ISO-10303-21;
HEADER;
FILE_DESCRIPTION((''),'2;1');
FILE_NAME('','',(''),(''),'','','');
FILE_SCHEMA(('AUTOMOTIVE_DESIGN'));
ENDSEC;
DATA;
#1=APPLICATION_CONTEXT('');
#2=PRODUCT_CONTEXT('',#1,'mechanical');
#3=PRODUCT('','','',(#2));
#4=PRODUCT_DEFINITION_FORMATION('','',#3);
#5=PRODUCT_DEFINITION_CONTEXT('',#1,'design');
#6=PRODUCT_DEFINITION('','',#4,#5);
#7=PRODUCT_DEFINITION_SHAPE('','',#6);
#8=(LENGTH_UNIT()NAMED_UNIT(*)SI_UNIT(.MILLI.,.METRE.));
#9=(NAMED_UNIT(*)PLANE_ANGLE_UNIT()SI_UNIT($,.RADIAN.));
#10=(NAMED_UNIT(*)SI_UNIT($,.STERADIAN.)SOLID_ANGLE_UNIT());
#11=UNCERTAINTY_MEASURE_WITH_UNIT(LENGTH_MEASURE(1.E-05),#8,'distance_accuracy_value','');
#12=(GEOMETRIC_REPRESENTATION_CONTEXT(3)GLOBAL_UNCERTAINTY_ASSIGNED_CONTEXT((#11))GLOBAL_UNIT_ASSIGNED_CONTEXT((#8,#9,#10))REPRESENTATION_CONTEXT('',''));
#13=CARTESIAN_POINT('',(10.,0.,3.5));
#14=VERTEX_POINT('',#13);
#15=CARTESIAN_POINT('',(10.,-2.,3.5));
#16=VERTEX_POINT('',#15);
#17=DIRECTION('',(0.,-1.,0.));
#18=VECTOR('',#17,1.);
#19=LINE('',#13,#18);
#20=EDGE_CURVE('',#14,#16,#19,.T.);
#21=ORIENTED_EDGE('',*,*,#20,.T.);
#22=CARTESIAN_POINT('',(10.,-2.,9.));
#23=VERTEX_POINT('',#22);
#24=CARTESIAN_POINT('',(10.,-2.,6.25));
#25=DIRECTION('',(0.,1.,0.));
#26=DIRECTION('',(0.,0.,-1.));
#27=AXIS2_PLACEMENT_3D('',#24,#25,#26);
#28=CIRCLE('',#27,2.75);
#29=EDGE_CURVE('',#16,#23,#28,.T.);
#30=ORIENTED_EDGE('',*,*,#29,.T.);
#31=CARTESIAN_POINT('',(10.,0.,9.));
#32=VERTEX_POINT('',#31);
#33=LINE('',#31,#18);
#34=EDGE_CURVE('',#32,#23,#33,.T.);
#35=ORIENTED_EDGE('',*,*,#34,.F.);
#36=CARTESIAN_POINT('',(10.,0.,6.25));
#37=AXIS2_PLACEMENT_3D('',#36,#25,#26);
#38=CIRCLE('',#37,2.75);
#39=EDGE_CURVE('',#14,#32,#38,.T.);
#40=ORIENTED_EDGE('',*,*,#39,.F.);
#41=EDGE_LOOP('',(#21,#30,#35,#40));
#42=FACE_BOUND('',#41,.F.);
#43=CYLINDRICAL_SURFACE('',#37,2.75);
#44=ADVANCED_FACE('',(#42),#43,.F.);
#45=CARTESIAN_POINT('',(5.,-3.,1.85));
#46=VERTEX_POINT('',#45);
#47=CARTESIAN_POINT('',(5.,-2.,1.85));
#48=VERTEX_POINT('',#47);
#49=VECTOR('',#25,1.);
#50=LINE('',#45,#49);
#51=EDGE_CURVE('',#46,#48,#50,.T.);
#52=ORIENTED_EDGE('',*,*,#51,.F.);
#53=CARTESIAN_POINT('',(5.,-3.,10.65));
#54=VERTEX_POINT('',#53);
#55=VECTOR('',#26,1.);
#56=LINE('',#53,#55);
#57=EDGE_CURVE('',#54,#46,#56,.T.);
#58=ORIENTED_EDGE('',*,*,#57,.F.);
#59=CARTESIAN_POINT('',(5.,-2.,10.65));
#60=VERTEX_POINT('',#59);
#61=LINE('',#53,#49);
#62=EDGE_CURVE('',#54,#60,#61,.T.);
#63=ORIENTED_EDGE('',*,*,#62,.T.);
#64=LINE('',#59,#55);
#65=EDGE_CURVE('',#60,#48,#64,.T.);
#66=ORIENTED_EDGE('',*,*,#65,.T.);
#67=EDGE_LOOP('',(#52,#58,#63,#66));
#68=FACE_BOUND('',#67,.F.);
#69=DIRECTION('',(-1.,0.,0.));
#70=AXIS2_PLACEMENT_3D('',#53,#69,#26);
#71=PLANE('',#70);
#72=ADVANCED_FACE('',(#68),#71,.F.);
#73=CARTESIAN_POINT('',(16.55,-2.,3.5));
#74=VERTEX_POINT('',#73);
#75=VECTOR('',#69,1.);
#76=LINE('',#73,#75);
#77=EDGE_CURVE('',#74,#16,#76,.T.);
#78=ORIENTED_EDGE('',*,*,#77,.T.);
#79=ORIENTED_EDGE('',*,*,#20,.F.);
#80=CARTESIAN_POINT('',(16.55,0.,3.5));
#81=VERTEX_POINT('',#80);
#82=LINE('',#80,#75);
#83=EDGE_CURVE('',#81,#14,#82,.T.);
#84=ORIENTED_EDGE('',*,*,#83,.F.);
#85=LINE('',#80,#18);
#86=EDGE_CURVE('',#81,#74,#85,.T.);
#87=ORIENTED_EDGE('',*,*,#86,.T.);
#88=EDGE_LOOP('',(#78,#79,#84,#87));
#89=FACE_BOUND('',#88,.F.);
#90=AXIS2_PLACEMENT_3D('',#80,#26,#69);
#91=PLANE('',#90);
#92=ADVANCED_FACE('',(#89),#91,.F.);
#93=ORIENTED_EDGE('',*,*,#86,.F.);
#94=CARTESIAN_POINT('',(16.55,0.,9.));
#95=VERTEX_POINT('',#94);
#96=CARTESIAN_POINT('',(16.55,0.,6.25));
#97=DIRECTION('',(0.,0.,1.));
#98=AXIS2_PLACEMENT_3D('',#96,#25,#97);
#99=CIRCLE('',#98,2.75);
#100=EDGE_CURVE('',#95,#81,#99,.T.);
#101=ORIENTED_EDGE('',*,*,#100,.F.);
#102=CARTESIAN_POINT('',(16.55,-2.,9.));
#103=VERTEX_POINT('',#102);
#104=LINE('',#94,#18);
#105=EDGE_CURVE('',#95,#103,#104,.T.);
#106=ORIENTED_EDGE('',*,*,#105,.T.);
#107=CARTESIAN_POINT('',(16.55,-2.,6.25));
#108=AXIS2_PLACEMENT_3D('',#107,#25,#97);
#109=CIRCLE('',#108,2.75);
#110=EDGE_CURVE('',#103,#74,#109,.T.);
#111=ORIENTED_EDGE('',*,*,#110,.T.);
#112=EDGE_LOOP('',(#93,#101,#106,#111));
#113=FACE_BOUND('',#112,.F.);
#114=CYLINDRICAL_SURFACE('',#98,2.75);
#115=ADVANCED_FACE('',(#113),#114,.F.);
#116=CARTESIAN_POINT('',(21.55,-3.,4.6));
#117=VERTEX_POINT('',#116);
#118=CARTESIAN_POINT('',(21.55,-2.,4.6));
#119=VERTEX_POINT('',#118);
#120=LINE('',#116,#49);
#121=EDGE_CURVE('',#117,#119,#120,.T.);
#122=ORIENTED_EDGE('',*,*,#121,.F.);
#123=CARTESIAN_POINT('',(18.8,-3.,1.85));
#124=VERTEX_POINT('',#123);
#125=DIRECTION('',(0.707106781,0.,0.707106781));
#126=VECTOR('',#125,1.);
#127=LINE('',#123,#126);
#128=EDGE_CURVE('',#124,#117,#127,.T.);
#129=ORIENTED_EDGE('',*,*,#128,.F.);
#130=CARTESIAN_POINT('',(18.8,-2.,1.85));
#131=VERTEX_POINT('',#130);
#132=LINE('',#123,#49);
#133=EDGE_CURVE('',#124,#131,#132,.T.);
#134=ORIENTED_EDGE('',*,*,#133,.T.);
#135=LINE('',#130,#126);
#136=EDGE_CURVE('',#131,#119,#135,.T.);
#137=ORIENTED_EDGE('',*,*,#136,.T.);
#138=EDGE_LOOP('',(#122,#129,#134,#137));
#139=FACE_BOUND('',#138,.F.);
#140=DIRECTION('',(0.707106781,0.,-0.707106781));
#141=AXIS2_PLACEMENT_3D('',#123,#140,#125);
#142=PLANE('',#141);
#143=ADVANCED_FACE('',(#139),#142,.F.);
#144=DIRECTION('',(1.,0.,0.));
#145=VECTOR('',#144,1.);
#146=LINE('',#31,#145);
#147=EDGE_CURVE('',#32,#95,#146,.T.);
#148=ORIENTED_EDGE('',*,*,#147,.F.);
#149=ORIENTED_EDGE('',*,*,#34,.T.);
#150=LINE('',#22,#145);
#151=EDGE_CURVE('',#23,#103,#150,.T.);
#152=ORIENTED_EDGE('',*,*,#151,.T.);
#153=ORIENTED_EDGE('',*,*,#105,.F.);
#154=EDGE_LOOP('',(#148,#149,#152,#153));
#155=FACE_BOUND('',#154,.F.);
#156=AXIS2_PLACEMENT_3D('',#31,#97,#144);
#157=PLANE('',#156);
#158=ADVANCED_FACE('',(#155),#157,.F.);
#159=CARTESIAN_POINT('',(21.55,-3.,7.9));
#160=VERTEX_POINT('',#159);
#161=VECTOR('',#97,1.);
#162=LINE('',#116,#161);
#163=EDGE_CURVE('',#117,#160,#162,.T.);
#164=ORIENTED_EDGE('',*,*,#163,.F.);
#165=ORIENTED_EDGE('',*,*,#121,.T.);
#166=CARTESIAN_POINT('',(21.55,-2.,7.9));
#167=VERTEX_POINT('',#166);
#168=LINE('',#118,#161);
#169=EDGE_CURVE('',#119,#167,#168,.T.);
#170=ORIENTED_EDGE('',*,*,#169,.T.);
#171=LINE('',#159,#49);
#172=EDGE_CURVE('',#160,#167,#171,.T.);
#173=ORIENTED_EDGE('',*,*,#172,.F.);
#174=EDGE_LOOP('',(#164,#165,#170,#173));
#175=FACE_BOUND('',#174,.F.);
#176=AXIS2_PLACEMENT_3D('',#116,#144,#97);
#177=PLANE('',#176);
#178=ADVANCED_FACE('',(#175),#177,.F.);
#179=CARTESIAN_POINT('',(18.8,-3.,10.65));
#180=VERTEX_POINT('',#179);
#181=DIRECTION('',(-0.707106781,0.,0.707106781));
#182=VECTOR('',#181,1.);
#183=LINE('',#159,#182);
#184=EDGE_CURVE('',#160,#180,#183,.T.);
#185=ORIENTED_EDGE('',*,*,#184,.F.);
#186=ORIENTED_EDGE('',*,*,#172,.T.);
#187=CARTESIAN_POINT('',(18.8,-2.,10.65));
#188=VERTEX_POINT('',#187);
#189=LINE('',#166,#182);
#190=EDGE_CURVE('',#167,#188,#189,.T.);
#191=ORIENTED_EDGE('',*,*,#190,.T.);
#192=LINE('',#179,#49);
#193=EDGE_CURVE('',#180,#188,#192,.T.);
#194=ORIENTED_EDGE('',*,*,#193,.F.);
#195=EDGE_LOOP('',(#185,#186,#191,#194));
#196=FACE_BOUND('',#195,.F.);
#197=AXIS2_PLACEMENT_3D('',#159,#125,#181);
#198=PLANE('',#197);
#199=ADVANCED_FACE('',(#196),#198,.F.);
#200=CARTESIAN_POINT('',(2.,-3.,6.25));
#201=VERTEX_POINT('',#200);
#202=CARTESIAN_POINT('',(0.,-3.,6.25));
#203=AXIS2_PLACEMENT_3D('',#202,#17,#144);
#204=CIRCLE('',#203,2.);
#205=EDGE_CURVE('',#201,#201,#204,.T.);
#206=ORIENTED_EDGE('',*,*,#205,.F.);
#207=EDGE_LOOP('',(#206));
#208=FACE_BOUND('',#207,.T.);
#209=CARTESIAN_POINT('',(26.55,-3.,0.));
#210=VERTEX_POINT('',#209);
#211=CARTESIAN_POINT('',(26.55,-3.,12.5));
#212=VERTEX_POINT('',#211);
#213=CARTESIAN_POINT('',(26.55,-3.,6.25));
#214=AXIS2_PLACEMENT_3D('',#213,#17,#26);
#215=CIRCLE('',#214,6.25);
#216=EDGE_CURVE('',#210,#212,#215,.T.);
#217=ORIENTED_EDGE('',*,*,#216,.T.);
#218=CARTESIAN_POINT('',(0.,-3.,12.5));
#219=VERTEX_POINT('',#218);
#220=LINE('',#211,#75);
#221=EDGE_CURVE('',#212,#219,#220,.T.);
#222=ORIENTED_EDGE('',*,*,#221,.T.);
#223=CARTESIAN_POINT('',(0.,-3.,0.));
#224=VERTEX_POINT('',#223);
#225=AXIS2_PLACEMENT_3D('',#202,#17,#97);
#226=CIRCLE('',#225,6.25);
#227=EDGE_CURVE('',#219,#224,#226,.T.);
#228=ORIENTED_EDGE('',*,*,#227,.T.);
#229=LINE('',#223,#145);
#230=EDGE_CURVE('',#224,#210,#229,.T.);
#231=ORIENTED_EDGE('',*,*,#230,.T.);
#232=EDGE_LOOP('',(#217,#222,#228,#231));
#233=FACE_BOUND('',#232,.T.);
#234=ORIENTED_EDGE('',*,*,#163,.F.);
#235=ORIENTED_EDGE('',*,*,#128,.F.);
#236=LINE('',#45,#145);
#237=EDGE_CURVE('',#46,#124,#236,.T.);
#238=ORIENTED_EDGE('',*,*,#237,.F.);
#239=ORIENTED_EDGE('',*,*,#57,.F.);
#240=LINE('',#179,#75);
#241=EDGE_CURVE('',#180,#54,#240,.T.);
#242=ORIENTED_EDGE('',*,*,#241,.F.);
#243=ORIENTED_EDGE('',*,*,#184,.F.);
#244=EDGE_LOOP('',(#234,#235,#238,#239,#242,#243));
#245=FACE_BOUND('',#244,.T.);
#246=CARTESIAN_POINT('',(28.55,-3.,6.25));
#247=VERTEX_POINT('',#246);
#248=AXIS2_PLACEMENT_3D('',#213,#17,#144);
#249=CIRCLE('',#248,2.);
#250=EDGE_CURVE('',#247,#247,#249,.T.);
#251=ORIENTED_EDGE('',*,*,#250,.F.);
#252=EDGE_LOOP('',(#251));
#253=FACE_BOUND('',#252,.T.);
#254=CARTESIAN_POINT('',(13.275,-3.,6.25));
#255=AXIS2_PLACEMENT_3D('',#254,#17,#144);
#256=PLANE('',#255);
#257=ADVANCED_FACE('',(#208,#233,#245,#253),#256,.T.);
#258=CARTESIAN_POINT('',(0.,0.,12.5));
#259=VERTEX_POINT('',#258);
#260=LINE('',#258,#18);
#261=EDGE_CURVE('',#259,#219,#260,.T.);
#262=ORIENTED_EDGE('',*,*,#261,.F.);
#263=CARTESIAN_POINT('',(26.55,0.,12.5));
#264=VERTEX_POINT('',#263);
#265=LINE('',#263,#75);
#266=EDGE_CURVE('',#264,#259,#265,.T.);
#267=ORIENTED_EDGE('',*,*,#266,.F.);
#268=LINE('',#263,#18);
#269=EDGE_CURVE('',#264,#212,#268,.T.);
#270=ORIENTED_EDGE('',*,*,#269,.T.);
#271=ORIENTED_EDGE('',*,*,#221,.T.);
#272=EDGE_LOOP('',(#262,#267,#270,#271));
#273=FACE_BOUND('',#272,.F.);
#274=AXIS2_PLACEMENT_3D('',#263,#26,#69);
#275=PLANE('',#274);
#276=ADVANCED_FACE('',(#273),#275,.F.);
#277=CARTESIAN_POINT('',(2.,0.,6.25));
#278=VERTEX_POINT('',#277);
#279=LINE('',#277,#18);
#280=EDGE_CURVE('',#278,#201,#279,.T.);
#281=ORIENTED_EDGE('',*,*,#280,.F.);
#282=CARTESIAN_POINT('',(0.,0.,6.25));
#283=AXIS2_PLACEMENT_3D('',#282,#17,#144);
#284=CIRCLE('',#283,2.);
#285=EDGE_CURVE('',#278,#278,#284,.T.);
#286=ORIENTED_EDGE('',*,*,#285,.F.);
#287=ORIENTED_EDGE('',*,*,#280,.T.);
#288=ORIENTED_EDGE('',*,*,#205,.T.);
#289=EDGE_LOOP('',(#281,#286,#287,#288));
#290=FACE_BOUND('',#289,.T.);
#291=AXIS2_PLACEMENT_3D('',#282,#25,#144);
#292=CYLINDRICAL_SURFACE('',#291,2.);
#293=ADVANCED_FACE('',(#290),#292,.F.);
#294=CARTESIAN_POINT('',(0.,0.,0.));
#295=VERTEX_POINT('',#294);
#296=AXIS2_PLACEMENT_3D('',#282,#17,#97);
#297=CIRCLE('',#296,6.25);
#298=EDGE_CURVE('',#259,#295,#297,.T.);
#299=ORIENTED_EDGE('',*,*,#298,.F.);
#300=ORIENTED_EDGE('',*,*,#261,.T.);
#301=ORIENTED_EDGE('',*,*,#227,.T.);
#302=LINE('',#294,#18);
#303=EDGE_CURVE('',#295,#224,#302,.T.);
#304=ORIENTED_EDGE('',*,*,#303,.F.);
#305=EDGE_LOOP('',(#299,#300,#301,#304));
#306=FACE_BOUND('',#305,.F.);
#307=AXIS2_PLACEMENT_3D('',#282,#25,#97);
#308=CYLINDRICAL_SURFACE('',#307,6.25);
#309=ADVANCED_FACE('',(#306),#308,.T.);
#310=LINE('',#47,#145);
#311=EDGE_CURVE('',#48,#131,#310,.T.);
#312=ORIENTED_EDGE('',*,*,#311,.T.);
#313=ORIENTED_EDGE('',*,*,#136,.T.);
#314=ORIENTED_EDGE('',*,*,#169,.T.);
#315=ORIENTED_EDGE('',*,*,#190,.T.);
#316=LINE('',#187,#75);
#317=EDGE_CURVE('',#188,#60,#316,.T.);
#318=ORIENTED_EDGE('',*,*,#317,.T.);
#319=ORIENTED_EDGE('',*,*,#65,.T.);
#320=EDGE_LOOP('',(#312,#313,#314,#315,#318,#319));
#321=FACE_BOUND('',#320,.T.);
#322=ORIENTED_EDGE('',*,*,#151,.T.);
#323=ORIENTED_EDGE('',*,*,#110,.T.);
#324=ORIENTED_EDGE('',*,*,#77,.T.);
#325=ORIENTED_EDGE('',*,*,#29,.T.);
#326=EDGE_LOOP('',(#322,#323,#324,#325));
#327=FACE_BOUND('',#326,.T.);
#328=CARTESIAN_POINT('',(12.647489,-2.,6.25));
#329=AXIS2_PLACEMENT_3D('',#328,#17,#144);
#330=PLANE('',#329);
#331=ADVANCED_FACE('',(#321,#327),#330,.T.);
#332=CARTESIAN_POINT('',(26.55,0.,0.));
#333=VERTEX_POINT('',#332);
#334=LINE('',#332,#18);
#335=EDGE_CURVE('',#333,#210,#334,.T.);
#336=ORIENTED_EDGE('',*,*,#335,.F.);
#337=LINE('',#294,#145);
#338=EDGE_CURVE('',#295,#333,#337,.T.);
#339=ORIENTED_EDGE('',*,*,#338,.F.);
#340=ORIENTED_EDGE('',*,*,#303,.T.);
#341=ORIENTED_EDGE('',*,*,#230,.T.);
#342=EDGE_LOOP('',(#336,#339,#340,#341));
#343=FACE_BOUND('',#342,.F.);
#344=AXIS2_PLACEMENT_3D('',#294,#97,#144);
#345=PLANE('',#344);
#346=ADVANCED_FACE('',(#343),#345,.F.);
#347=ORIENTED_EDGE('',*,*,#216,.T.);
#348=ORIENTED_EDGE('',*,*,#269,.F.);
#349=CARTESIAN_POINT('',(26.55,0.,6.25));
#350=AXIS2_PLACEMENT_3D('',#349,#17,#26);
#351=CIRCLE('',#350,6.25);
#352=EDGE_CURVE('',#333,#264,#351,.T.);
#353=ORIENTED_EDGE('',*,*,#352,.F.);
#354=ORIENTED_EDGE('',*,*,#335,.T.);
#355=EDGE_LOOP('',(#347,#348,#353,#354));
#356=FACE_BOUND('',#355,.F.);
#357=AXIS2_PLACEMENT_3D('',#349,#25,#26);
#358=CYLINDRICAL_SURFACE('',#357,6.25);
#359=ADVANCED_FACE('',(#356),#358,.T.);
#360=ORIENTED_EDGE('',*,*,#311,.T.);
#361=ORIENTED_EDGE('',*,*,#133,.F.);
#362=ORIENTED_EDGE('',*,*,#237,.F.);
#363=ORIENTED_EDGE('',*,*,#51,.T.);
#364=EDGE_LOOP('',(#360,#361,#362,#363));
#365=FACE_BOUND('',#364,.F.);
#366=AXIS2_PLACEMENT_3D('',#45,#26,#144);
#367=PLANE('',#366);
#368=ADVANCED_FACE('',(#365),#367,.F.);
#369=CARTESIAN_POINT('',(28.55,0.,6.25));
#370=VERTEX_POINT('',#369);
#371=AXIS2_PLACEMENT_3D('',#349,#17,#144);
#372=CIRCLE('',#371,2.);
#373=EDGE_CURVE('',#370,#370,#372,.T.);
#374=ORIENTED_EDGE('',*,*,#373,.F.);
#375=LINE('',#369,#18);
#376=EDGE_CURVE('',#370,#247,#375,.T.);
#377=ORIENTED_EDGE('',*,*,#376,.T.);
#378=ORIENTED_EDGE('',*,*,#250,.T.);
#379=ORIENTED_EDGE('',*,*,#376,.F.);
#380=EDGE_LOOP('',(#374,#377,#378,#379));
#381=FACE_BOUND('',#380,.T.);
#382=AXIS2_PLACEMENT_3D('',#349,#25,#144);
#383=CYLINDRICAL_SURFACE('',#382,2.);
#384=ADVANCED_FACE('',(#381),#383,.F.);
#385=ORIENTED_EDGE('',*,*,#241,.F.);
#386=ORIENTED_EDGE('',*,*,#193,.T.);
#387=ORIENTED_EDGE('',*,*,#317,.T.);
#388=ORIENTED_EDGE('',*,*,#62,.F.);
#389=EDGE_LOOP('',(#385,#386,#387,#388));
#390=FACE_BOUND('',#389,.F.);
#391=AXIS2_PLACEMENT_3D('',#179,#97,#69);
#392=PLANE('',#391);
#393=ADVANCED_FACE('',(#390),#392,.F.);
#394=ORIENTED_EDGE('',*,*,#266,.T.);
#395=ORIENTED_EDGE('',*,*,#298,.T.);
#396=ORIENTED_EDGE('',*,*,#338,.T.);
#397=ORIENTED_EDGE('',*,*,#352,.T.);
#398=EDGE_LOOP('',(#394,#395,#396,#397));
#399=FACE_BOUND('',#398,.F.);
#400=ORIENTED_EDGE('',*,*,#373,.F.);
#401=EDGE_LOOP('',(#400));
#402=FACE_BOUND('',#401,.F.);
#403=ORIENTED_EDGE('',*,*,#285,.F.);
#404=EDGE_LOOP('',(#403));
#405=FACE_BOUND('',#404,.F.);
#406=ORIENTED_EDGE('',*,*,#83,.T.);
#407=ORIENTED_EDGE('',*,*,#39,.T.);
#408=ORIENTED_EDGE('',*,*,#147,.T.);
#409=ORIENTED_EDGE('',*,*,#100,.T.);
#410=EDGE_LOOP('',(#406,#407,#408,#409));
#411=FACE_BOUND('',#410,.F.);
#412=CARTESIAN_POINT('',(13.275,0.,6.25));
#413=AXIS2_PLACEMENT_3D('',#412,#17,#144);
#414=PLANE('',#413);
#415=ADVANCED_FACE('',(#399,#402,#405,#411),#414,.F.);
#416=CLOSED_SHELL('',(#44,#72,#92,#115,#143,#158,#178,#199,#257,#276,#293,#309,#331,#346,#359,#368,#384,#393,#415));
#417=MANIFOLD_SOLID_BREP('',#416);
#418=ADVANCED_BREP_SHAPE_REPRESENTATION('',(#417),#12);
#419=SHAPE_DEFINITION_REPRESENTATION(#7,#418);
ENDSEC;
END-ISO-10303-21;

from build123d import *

# Parameters (mm, degrees)
F0_R     = 2
F1_DEPTH = 3
F3_DEPTH = 1


with BuildPart() as f1:
    # F0 (on Front) → F1 (new body)
    with BuildSketch(Plane.XZ):
        with BuildLine():
            Line((26.55, 12.5), (0, 12.5))
            ThreePointArc((0, 12.5), (-6.25, 6.25), (0, 0))
            Line((0, 0), (26.55, 0))
            ThreePointArc((26.55, 0), (32.8, 6.25), (26.55, 12.5))
        make_face()
        with Locations((0, 6.25)):
            Circle(F0_R, mode=Mode.SUBTRACT)
        with BuildLine():
            ThreePointArc((10, 3.5), (7.25, 6.25), (10, 9))
            Line((10, 9), (16.55, 9))
            ThreePointArc((16.55, 9), (19.3, 6.25), (16.55, 3.5))
            Line((16.55, 3.5), (10, 3.5))
        make_face(mode=Mode.SUBTRACT)
        with Locations((26.55, 6.25)):
            Circle(F0_R, mode=Mode.SUBTRACT)
    extrude(amount=F1_DEPTH)

    # F2 (on face) → F3 (cut)
    with BuildSketch(Plane.XZ.offset(3)):
        Polygon((21.55, 4.6), (21.55, 7.9), (18.8, 10.65), (5, 10.65), (5, 1.85), (18.8, 1.85), align=None)
        with BuildLine():
            Line((16.55, 3.5), (10, 3.5))
            ThreePointArc((10, 3.5), (7.25, 6.25), (10, 9))
            Line((10, 9), (16.55, 9))
            ThreePointArc((16.55, 9), (19.3, 6.25), (16.55, 3.5))
        make_face(mode=Mode.SUBTRACT)
    extrude(amount=-F3_DEPTH, mode=Mode.SUBTRACT)


solid = f1.part
